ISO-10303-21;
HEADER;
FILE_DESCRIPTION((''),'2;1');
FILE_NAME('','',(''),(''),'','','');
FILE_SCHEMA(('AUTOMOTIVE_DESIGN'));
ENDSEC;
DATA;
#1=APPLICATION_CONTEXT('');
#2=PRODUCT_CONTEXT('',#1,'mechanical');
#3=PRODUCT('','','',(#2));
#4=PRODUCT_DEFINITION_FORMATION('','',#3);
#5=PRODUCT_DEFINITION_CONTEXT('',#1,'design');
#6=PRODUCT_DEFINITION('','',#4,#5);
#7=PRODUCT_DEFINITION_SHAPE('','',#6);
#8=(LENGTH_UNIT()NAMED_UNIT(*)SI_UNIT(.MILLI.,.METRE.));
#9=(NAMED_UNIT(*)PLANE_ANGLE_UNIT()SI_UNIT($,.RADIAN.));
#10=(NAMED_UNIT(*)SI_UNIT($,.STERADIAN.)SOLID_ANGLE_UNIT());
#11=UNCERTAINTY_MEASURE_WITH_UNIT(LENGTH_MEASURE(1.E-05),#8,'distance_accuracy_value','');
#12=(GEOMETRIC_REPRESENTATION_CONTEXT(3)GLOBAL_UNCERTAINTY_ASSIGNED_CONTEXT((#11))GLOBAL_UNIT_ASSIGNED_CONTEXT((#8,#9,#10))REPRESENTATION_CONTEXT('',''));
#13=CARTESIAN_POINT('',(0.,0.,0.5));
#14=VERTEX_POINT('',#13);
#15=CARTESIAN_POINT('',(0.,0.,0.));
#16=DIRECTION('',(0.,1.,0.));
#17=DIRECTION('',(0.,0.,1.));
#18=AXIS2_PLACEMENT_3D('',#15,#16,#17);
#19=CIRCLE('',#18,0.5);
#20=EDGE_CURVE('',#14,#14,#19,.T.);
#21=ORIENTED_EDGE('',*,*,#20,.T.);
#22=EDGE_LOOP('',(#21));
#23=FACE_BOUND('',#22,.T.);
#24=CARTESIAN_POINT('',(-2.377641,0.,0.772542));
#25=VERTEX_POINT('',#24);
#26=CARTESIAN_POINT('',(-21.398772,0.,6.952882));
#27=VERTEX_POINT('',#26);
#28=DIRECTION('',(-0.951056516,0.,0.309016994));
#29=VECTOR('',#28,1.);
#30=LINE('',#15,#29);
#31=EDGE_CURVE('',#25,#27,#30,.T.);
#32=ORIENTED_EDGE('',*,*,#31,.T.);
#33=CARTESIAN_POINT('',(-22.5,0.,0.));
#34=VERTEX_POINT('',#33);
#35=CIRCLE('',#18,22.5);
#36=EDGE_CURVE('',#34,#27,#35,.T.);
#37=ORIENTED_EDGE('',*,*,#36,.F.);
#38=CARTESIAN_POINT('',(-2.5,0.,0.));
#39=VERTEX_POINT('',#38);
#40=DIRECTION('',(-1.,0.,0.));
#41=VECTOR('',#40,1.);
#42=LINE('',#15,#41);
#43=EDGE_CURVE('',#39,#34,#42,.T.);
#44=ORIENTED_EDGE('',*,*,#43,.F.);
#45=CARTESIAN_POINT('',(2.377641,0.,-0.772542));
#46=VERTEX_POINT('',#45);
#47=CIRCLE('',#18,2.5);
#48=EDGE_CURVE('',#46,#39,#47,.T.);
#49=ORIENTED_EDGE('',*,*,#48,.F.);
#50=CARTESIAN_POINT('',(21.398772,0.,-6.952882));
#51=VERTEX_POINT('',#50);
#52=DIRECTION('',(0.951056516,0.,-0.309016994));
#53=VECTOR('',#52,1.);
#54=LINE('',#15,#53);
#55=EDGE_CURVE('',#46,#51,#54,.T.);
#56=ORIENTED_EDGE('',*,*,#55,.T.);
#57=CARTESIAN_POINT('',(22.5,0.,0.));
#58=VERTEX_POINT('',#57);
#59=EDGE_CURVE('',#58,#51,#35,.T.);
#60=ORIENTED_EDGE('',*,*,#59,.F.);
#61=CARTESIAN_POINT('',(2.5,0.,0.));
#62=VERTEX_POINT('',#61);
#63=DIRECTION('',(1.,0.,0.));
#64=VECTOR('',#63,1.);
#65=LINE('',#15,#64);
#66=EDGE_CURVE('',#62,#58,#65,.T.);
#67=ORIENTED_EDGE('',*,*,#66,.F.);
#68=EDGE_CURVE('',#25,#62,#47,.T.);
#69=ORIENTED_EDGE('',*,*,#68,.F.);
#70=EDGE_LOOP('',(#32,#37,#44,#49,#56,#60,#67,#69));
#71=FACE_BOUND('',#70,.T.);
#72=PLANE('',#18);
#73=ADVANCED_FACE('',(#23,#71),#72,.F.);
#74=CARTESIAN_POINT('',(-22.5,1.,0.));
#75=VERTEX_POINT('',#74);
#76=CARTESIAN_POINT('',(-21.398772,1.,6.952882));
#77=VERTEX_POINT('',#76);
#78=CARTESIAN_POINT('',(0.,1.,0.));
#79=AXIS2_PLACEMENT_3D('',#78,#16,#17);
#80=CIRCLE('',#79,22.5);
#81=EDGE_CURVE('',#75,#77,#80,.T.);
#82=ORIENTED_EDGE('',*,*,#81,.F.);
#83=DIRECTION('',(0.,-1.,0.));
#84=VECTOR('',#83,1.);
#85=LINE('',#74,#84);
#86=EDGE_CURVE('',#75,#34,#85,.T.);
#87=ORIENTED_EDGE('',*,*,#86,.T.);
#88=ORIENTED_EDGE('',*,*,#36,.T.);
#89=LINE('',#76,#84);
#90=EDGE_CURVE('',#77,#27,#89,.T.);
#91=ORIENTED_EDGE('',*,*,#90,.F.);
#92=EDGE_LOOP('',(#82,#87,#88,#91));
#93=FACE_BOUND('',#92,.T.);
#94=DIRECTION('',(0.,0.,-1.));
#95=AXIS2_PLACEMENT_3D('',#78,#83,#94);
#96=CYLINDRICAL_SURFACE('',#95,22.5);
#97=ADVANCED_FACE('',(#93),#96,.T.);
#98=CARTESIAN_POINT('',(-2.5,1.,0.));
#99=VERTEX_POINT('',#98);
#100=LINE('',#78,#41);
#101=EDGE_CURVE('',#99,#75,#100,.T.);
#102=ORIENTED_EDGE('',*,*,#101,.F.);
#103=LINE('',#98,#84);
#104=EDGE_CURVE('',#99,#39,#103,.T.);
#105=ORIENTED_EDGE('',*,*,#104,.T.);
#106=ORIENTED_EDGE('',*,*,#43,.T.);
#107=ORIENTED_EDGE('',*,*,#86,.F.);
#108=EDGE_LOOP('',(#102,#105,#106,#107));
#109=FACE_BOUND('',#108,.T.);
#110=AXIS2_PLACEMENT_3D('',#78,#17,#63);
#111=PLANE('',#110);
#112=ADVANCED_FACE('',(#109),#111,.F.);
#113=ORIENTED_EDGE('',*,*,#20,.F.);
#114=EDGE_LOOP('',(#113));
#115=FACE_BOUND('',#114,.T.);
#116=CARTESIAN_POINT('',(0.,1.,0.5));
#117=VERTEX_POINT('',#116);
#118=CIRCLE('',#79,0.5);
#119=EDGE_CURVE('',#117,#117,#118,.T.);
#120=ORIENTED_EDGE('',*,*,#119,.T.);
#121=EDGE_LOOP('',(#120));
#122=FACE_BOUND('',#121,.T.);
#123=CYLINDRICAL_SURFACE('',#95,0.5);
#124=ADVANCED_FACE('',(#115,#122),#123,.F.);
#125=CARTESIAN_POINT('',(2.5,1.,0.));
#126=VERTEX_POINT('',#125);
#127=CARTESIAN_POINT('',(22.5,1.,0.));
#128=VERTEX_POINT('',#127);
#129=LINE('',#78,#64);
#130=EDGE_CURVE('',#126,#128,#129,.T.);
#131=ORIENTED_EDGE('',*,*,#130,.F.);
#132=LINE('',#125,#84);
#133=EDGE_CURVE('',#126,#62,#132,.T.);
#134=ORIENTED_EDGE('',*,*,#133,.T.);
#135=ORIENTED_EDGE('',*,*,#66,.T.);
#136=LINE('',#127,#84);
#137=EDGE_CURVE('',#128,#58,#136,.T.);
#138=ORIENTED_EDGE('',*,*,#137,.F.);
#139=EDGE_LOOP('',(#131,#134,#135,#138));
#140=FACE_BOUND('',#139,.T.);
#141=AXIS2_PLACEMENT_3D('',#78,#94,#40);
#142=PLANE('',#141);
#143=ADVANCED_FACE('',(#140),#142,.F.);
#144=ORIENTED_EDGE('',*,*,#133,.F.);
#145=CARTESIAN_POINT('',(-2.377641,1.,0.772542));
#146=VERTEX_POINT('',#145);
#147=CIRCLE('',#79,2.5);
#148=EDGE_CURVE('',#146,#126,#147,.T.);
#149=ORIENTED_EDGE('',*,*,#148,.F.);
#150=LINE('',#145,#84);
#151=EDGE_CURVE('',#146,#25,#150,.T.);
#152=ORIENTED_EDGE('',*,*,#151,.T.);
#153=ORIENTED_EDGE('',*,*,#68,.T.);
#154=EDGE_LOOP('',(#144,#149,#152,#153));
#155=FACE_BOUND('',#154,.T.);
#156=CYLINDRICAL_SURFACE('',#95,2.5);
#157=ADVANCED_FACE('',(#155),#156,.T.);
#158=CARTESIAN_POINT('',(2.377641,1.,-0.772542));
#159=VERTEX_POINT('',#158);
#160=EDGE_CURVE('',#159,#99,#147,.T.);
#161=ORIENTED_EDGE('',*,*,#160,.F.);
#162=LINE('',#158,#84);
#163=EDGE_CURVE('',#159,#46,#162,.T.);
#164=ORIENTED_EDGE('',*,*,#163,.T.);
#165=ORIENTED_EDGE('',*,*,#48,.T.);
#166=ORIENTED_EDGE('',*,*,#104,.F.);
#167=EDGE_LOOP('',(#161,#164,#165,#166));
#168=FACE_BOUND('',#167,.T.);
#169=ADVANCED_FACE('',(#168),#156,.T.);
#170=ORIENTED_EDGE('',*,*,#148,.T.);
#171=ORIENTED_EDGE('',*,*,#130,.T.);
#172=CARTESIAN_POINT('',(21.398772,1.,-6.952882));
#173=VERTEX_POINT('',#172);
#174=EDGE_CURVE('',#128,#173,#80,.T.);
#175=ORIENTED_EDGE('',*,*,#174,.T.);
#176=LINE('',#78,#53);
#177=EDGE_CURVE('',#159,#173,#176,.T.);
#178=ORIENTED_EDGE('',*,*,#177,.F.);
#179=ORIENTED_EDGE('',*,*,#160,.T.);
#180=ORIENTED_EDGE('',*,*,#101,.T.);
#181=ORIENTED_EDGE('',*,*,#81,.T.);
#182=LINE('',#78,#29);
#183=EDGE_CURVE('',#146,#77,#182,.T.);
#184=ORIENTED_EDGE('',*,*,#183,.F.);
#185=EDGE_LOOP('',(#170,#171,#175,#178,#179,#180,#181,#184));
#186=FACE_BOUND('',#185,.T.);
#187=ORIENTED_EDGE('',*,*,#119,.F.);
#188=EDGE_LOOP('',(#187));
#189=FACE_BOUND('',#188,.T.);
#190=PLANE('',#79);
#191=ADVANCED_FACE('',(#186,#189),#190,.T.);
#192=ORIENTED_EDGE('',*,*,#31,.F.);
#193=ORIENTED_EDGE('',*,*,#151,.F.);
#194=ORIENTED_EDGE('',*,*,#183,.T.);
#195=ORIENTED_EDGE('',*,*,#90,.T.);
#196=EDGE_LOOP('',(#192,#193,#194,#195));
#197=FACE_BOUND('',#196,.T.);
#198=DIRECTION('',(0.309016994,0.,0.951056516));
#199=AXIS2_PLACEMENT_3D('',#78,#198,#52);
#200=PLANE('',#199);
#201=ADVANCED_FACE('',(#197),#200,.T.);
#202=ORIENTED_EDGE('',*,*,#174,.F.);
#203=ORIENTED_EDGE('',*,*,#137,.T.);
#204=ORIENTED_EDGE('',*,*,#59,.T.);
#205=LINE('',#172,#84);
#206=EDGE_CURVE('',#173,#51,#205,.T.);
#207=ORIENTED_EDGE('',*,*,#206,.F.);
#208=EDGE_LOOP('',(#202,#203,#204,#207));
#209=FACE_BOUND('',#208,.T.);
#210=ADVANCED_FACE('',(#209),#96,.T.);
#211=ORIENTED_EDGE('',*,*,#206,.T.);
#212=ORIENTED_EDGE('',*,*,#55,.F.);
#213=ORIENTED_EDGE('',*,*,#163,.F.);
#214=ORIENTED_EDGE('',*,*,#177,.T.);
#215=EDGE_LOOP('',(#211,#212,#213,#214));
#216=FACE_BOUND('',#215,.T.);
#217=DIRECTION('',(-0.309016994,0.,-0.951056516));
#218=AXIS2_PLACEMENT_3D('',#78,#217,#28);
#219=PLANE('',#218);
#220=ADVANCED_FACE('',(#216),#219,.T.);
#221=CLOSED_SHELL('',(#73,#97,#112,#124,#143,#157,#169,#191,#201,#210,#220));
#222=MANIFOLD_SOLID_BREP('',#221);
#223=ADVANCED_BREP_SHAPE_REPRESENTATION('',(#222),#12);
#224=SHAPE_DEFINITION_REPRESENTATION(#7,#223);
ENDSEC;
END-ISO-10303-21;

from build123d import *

# Parameters (mm, degrees)
SKETCH_1_R      = 2.5
SKETCH_1_R_2    = 0.5
EXTRUDE_1_DEPTH = 1


with BuildPart() as part:
    # 草图1 → 凸台-拉伸1 (new body)
    # profile 1 of 3: a face of its own
    with BuildSketch(Plane(origin=(0, 0, 0), x_dir=(1, 0, 0), z_dir=(0, 1, 0))):
        with BuildLine():
            Line((-21.398771617, -6.952882373), (-2.377641291, -0.772542486))
            ThreePointArc((-2.377641291, -0.772542486), (-2.469220851, -0.391086163), (-2.5, 0))
            Line((-2.5, 0), (-22.5, 0))
            ThreePointArc((-22.5, 0), (-22.222987663, -3.519775463), (-21.398771617, -6.952882373))
        make_face()
    # profile 2 of 3: a face of its own
    with BuildSketch(Plane(origin=(0, 0, 0), x_dir=(1, 0, 0), z_dir=(0, 1, 0))):
        with BuildLine():
            ThreePointArc((2.377641291, 0.772542486), (2.469220851, 0.391086163), (2.5, 0))
            Line((2.5, 0), (22.5, 0))
            ThreePointArc((22.5, 0), (22.222987663, 3.519775463), (21.398771617, 6.952882373))
            Line((21.398771617, 6.952882373), (2.377641291, 0.772542486))
        make_face()
    # profile 3 of 3: a face of its own
    with BuildSketch(Plane(origin=(0, 0, 0), x_dir=(1, 0, 0), z_dir=(0, 1, 0))):
        Circle(SKETCH_1_R)
        with Locations(Location((0, 0, 0), (0, 0, 270))):
            Circle(SKETCH_1_R_2, mode=Mode.SUBTRACT)
    extrude(amount=EXTRUDE_1_DEPTH)


solid = part.part
